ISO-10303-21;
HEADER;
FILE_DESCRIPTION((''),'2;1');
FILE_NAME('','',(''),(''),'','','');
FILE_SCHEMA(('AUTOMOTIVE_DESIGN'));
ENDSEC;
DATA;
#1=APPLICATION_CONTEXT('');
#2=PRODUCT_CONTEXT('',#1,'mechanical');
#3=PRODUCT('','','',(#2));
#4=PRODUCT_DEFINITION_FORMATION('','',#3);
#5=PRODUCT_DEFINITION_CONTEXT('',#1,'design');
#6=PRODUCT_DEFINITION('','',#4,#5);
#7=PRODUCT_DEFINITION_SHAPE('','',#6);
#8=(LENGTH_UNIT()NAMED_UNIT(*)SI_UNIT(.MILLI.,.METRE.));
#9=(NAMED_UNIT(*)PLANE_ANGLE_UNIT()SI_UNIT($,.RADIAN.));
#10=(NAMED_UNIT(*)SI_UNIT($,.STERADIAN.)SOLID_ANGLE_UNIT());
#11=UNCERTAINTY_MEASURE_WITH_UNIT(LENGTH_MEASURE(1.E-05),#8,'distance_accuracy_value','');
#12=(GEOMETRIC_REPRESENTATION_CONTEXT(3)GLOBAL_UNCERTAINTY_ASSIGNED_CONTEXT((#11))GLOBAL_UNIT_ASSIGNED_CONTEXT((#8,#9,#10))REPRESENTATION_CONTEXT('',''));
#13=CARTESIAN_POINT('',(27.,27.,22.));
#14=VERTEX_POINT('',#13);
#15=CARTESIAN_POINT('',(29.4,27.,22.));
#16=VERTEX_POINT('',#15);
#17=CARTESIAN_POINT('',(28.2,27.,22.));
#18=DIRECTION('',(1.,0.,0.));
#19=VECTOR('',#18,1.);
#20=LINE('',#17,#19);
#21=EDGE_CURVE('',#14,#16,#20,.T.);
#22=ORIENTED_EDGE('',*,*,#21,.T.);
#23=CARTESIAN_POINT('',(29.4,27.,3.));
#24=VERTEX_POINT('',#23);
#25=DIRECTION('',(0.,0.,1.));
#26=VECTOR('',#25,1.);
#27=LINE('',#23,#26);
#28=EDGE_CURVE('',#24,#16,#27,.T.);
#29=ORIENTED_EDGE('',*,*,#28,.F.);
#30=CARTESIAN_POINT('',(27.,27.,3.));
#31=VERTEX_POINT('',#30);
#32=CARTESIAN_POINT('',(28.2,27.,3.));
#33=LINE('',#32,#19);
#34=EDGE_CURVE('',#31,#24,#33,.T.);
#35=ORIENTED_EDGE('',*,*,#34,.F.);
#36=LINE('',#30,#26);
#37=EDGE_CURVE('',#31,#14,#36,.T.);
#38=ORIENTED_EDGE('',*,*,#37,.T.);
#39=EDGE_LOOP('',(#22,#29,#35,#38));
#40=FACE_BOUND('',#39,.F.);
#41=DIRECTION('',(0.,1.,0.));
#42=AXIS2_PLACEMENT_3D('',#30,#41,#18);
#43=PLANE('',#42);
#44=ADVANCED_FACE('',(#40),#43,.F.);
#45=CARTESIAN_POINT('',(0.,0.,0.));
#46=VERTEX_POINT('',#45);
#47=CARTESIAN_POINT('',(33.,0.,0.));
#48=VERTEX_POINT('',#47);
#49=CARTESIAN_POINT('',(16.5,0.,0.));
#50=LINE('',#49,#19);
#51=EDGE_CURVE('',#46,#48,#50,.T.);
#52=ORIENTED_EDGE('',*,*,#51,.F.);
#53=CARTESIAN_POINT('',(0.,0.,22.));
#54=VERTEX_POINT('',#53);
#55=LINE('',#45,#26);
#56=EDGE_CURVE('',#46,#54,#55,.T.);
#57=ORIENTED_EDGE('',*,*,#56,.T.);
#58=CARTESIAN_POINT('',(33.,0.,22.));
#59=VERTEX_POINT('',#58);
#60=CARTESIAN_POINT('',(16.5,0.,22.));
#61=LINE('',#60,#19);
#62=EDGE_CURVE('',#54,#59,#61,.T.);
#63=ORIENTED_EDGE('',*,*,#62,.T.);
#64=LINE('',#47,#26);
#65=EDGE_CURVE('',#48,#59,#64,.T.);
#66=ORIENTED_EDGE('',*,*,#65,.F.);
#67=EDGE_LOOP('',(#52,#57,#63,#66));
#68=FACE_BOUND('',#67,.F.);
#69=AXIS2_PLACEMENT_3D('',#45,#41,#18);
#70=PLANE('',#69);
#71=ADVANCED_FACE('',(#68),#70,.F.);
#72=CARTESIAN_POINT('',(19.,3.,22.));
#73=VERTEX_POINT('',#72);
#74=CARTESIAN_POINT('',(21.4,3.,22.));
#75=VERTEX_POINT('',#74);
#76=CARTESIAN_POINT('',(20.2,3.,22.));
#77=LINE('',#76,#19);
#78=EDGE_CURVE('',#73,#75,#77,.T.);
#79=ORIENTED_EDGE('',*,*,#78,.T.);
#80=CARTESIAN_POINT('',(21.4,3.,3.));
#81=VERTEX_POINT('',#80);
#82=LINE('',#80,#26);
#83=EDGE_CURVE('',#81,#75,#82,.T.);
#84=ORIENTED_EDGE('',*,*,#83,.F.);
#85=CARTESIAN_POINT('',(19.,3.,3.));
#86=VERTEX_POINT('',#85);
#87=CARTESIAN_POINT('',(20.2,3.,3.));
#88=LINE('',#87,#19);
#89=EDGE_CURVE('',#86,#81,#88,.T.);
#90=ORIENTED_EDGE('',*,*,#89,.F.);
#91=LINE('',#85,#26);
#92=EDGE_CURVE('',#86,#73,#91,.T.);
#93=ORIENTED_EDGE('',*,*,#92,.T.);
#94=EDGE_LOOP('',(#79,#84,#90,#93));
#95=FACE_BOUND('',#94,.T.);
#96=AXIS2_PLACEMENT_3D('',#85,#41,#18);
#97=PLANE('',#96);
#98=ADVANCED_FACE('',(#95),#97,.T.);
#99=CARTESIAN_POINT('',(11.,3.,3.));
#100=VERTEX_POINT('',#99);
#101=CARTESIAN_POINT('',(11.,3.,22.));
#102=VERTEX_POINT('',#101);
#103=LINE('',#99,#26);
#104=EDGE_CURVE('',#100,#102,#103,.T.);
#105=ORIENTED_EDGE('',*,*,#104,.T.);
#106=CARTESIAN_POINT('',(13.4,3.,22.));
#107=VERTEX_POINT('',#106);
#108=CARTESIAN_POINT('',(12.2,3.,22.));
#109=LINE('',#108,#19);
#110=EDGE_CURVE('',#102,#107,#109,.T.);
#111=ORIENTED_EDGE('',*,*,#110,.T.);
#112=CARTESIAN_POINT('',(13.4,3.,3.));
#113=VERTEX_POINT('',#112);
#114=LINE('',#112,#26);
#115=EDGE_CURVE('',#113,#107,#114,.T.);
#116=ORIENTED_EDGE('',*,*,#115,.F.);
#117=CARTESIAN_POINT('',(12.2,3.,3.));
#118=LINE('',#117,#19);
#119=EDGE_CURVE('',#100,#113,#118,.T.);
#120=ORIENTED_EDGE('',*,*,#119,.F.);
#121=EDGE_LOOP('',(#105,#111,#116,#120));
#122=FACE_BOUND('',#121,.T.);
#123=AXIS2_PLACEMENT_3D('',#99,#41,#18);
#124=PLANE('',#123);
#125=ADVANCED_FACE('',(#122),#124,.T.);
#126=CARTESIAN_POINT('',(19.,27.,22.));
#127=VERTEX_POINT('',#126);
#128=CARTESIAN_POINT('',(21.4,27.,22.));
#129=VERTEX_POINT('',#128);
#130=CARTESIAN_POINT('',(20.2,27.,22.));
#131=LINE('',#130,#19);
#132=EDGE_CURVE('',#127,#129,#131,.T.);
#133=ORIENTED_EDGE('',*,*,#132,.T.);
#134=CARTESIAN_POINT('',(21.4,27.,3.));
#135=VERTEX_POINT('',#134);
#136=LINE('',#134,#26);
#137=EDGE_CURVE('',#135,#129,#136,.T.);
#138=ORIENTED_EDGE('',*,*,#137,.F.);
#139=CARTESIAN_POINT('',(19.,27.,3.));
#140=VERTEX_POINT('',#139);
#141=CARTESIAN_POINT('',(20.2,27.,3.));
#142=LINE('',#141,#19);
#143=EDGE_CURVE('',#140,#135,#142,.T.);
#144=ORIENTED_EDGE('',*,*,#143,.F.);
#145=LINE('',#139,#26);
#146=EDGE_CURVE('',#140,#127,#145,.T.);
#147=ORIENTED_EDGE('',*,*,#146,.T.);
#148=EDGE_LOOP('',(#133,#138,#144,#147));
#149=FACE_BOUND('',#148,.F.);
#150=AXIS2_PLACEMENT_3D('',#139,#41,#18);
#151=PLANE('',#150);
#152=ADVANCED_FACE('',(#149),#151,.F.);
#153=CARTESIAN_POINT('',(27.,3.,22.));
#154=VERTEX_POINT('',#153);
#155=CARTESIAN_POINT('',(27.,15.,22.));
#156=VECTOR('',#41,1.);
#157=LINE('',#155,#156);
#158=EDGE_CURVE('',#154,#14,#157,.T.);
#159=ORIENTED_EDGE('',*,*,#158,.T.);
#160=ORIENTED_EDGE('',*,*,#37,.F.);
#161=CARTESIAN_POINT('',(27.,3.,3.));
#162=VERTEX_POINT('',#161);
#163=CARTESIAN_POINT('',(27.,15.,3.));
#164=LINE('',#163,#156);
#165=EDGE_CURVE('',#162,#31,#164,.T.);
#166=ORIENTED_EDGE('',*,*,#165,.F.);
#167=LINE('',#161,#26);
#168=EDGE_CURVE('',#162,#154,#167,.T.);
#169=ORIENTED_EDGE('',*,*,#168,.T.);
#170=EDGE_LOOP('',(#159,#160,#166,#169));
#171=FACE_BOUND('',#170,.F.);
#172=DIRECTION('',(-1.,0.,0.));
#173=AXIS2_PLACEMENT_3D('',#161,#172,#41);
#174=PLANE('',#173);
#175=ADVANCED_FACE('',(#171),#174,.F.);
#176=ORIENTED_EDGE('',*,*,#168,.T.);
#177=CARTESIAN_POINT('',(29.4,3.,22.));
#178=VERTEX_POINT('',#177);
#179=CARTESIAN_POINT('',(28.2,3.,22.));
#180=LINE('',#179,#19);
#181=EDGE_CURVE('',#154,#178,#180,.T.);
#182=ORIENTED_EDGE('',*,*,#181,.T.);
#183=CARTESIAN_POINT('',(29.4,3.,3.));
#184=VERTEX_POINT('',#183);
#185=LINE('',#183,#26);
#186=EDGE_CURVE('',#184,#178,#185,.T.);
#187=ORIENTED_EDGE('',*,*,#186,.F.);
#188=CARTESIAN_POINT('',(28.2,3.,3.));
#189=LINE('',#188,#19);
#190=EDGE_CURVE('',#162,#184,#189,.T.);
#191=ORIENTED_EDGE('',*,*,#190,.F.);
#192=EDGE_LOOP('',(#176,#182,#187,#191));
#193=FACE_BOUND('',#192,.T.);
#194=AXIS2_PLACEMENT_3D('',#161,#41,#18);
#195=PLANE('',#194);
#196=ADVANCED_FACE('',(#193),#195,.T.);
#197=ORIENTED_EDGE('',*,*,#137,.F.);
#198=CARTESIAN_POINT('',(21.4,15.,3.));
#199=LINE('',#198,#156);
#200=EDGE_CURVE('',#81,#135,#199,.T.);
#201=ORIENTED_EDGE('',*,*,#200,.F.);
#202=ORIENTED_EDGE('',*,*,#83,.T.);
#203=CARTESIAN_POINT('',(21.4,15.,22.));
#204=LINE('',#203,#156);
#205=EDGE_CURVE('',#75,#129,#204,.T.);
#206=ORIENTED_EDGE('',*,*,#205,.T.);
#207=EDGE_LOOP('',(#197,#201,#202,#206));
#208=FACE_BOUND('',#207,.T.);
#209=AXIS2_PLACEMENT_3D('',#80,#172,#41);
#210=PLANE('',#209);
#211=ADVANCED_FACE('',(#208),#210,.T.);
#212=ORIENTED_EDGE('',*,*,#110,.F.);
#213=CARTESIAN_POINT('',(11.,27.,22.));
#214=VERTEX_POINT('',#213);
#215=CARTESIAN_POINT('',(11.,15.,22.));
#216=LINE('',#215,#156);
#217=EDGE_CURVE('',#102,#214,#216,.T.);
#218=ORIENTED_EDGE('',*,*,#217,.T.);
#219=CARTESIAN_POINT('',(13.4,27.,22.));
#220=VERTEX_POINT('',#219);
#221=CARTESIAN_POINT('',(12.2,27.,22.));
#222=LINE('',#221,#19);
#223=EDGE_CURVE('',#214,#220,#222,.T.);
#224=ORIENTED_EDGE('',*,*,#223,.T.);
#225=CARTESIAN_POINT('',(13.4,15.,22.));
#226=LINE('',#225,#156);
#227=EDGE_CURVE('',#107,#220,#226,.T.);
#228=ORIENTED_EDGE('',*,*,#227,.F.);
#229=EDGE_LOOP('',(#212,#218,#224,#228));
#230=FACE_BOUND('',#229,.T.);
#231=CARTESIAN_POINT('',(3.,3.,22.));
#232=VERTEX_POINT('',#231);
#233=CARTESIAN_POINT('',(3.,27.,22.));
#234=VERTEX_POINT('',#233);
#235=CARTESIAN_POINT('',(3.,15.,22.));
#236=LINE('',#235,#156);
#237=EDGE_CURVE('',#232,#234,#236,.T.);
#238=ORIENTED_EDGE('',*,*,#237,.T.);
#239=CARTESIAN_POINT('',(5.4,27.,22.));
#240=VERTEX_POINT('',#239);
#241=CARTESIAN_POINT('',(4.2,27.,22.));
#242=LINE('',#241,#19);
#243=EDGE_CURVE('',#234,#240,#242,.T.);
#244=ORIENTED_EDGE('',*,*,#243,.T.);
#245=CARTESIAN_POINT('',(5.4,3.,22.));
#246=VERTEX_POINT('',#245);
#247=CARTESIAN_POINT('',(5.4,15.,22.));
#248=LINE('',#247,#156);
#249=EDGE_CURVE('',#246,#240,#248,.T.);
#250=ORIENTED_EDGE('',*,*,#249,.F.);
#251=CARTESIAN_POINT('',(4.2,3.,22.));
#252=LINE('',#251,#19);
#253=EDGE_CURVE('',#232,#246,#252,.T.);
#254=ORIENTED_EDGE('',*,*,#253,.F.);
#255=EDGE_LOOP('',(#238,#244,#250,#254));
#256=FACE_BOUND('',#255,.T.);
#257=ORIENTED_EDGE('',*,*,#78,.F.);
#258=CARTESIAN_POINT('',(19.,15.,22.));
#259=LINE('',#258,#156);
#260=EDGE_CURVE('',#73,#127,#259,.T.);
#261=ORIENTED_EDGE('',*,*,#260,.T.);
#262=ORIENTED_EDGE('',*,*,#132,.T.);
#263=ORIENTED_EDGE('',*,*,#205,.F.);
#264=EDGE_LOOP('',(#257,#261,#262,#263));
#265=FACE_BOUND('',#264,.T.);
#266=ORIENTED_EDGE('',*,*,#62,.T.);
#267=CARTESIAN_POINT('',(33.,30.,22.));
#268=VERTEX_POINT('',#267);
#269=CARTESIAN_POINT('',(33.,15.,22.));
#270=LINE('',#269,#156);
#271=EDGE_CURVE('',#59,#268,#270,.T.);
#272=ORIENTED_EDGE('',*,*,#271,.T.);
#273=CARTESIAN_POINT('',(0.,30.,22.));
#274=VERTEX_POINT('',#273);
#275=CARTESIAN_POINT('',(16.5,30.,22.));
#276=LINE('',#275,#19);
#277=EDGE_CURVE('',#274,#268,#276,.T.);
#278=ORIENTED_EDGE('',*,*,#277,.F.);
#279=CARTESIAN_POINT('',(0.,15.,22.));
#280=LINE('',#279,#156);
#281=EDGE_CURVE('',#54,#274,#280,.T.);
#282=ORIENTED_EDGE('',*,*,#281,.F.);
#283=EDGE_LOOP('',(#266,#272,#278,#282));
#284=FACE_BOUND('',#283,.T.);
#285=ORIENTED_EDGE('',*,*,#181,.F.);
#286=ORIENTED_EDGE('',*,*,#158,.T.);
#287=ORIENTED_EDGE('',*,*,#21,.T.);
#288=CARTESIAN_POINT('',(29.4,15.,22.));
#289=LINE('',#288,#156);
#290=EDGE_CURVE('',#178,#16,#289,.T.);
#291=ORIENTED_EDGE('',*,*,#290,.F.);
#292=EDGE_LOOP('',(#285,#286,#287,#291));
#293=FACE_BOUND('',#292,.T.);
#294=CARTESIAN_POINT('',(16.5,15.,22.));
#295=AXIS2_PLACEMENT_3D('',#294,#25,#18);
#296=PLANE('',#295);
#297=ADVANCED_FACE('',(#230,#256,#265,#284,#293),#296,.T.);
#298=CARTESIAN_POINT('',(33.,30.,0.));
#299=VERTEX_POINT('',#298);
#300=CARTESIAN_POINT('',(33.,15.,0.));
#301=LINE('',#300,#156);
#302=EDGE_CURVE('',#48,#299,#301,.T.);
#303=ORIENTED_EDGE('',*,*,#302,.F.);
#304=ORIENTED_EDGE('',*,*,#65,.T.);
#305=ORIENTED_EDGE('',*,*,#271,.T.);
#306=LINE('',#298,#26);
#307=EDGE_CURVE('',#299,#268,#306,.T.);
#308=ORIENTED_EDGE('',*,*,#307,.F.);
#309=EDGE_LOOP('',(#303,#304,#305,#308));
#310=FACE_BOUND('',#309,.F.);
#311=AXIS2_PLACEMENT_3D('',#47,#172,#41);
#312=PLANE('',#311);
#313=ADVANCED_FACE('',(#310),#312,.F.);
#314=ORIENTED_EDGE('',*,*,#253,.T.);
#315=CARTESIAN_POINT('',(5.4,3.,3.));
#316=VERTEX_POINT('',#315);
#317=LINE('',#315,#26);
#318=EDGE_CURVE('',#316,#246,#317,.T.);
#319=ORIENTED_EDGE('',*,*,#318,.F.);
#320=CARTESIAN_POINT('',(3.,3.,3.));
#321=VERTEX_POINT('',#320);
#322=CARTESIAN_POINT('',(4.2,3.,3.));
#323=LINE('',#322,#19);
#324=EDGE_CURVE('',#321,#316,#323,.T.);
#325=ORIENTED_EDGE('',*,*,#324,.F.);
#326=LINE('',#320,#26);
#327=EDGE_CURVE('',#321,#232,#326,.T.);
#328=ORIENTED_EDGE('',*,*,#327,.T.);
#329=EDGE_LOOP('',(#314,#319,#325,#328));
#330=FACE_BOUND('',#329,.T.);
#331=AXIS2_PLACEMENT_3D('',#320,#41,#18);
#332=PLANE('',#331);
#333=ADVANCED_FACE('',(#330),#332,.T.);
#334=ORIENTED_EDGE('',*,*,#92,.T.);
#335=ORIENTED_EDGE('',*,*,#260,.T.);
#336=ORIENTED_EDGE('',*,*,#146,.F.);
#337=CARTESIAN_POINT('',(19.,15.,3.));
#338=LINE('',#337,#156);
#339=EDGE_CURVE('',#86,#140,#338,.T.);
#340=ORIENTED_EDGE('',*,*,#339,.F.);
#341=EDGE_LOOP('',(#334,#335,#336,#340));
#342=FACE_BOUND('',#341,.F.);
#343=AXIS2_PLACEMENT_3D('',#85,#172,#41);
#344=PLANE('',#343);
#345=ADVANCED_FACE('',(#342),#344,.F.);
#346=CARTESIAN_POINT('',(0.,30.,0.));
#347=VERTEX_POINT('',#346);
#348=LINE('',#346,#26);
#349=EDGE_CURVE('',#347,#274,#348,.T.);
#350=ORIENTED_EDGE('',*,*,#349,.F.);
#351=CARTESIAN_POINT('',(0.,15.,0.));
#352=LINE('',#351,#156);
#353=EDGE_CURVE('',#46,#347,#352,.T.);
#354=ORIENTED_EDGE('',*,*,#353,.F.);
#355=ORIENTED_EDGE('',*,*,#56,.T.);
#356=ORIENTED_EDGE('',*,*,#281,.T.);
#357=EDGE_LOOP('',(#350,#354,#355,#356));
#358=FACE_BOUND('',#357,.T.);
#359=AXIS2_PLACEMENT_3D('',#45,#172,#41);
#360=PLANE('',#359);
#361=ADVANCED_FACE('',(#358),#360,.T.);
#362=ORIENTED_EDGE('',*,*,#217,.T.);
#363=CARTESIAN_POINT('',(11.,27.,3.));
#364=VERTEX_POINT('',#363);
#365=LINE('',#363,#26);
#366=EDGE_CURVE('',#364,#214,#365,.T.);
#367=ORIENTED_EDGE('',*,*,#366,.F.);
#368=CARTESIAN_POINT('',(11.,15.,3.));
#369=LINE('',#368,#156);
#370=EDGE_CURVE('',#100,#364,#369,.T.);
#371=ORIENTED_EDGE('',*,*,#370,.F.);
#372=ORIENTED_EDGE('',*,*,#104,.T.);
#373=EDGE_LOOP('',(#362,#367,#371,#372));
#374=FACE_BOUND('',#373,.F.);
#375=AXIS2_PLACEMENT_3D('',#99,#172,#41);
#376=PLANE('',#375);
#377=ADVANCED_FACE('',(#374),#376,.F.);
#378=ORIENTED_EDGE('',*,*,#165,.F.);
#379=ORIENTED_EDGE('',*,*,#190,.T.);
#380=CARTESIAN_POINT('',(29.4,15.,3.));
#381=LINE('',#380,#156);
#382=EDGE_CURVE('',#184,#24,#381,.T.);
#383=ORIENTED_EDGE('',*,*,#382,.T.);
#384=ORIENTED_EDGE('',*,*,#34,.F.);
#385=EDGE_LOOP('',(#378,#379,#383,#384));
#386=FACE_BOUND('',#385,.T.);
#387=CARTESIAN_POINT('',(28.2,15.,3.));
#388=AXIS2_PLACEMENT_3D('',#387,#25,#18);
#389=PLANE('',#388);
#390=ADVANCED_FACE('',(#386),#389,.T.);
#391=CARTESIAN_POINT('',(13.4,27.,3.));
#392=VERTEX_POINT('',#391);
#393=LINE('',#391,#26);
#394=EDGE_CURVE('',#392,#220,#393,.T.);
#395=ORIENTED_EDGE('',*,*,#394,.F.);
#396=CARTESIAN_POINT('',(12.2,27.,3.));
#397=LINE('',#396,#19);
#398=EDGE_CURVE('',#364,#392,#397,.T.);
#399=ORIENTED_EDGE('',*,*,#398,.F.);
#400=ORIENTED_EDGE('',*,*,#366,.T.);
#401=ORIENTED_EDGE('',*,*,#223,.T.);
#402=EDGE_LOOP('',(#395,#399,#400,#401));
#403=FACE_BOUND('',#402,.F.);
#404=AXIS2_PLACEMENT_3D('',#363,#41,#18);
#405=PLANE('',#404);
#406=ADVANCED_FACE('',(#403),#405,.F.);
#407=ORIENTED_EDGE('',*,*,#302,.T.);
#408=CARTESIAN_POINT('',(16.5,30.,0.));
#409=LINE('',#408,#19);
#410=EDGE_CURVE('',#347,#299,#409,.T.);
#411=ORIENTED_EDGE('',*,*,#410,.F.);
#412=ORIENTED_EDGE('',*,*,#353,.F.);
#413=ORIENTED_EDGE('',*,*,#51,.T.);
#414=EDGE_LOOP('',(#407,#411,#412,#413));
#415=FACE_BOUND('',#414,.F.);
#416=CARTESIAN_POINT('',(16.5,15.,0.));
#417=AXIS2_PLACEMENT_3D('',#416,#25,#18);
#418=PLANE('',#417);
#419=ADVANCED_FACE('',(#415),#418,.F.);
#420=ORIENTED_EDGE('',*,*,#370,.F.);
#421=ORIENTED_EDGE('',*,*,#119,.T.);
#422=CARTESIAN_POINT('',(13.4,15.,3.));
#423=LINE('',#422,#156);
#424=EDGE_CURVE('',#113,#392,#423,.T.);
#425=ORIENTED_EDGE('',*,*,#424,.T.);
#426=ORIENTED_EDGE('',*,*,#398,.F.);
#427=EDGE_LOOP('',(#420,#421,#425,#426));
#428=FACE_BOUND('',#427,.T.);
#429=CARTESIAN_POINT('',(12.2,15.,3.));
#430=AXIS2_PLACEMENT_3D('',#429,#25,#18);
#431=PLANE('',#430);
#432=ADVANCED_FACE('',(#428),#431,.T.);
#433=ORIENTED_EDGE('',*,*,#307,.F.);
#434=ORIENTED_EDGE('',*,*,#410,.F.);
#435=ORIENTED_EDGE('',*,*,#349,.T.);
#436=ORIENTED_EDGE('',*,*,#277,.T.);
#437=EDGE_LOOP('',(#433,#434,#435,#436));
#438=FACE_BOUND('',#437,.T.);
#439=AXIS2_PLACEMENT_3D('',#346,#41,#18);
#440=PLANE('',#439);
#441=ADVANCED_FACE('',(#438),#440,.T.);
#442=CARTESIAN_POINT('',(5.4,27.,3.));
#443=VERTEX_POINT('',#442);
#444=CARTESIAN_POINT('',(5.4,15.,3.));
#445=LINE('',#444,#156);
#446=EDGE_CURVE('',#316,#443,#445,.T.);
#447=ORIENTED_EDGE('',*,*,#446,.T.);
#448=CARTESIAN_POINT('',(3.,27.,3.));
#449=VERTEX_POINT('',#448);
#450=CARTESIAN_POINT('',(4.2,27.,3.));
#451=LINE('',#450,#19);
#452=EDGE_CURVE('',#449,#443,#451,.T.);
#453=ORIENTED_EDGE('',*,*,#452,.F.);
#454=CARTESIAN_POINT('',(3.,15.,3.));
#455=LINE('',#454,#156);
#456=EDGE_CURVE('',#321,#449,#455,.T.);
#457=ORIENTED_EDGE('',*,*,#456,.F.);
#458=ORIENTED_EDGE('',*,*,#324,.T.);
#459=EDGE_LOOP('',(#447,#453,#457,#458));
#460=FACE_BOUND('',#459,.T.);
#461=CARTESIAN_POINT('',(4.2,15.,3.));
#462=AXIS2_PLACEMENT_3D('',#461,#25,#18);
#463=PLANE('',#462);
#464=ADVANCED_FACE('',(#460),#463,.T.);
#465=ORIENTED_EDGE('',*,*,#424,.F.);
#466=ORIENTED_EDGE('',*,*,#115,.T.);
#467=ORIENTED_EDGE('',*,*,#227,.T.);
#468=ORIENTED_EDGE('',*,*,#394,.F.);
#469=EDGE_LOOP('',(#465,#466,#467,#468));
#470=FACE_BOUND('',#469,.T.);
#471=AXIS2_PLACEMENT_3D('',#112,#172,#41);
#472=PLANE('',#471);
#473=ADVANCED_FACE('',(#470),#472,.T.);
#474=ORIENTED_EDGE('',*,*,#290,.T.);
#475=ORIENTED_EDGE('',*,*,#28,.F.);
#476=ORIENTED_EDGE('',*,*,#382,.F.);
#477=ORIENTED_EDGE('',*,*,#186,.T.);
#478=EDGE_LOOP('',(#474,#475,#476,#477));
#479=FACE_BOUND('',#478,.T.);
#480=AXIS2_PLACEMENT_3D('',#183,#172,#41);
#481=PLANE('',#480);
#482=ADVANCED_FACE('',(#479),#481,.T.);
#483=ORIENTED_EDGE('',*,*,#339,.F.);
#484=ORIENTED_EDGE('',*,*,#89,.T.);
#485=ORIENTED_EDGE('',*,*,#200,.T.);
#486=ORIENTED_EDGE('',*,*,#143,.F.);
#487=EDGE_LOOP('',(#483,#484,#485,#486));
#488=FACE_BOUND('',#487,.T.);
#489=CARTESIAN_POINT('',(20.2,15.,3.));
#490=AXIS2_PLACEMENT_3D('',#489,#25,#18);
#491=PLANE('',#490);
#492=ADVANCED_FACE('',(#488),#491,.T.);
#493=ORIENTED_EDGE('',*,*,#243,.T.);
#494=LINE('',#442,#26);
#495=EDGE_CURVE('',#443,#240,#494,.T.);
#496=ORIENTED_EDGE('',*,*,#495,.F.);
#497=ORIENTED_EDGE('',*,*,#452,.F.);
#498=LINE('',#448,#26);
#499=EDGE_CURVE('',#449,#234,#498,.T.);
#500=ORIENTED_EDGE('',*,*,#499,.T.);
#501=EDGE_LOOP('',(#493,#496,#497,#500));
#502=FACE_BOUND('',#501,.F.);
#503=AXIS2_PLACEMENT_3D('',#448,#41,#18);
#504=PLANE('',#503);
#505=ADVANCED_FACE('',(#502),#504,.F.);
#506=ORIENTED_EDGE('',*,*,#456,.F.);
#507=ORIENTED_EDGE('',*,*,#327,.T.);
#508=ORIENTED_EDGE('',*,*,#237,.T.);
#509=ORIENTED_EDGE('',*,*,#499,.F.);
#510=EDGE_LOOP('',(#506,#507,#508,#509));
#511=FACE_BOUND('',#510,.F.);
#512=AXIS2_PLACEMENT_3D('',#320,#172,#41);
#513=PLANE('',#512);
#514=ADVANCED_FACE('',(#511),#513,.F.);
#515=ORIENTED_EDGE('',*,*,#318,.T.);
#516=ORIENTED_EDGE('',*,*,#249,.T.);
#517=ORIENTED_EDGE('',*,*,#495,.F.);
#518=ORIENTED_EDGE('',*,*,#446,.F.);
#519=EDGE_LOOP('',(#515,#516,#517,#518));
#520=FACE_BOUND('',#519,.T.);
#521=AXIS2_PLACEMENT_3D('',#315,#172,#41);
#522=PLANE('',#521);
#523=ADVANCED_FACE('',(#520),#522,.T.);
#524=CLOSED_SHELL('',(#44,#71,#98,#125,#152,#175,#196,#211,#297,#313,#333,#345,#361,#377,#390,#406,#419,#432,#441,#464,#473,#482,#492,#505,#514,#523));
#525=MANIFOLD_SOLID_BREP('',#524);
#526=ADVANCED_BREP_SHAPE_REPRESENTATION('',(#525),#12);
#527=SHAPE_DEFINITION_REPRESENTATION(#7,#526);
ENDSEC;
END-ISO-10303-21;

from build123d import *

# Parameters (mm, degrees)
BOX003_W     = 2.4
BOX003_H     = 24
BOX003_DEPTH = 19
BOX002_W     = 2.4
BOX002_H     = 24
BOX002_DEPTH = 19
BOX001_W     = 2.4
BOX001_H     = 24
BOX001_DEPTH = 19
BOX004_W     = 2.4
BOX004_H     = 24
BOX004_DEPTH = 19
BOX_W        = 33
BOX_H        = 30
BOX_DEPTH    = 22


with BuildPart() as cubo003:
    # Box003 → Box003 (new body)
    with BuildSketch(Plane(origin=(19, 3, 3), x_dir=(1, 0, 0), z_dir=(0, 0, 1))):
        with Locations((1.2, 12)):
            Rectangle(BOX003_W, BOX003_H)
    extrude(amount=BOX003_DEPTH)


with BuildPart() as cubo002:
    # Box002 → Box002 (new body)
    with BuildSketch(Plane(origin=(11, 3, 3), x_dir=(1, 0, 0), z_dir=(0, 0, 1))):
        with Locations((1.2, 12)):
            Rectangle(BOX002_W, BOX002_H)
    extrude(amount=BOX002_DEPTH)


with BuildPart() as cubo001:
    # Box001 → Box001 (new body)
    with BuildSketch(Plane(origin=(3, 3, 3), x_dir=(1, 0, 0), z_dir=(0, 0, 1))):
        with Locations((1.2, 12)):
            Rectangle(BOX001_W, BOX001_H)
    extrude(amount=BOX001_DEPTH)


with BuildPart() as fusion:
    # Box004 → Box004 (new body)
    with BuildSketch(Plane(origin=(27, 3, 3), x_dir=(1, 0, 0), z_dir=(0, 0, 1))):
        with Locations((1.2, 12)):
            Rectangle(BOX004_W, BOX004_H)
    extrude(amount=BOX004_DEPTH)

    # Fusion: union Cubo003, Cubo002, Cubo001
    add(cubo003.part)
    add(cubo002.part)
    add(cubo001.part)


with BuildPart() as cut:
    # Box → Box (new body)
    with BuildSketch(Plane.XY):
        with Locations((16.5, 15)):
            Rectangle(BOX_W, BOX_H)
    extrude(amount=BOX_DEPTH)

    # Cut: cut Fusion
    add(fusion.part, mode=Mode.SUBTRACT)


solid = cut.part
